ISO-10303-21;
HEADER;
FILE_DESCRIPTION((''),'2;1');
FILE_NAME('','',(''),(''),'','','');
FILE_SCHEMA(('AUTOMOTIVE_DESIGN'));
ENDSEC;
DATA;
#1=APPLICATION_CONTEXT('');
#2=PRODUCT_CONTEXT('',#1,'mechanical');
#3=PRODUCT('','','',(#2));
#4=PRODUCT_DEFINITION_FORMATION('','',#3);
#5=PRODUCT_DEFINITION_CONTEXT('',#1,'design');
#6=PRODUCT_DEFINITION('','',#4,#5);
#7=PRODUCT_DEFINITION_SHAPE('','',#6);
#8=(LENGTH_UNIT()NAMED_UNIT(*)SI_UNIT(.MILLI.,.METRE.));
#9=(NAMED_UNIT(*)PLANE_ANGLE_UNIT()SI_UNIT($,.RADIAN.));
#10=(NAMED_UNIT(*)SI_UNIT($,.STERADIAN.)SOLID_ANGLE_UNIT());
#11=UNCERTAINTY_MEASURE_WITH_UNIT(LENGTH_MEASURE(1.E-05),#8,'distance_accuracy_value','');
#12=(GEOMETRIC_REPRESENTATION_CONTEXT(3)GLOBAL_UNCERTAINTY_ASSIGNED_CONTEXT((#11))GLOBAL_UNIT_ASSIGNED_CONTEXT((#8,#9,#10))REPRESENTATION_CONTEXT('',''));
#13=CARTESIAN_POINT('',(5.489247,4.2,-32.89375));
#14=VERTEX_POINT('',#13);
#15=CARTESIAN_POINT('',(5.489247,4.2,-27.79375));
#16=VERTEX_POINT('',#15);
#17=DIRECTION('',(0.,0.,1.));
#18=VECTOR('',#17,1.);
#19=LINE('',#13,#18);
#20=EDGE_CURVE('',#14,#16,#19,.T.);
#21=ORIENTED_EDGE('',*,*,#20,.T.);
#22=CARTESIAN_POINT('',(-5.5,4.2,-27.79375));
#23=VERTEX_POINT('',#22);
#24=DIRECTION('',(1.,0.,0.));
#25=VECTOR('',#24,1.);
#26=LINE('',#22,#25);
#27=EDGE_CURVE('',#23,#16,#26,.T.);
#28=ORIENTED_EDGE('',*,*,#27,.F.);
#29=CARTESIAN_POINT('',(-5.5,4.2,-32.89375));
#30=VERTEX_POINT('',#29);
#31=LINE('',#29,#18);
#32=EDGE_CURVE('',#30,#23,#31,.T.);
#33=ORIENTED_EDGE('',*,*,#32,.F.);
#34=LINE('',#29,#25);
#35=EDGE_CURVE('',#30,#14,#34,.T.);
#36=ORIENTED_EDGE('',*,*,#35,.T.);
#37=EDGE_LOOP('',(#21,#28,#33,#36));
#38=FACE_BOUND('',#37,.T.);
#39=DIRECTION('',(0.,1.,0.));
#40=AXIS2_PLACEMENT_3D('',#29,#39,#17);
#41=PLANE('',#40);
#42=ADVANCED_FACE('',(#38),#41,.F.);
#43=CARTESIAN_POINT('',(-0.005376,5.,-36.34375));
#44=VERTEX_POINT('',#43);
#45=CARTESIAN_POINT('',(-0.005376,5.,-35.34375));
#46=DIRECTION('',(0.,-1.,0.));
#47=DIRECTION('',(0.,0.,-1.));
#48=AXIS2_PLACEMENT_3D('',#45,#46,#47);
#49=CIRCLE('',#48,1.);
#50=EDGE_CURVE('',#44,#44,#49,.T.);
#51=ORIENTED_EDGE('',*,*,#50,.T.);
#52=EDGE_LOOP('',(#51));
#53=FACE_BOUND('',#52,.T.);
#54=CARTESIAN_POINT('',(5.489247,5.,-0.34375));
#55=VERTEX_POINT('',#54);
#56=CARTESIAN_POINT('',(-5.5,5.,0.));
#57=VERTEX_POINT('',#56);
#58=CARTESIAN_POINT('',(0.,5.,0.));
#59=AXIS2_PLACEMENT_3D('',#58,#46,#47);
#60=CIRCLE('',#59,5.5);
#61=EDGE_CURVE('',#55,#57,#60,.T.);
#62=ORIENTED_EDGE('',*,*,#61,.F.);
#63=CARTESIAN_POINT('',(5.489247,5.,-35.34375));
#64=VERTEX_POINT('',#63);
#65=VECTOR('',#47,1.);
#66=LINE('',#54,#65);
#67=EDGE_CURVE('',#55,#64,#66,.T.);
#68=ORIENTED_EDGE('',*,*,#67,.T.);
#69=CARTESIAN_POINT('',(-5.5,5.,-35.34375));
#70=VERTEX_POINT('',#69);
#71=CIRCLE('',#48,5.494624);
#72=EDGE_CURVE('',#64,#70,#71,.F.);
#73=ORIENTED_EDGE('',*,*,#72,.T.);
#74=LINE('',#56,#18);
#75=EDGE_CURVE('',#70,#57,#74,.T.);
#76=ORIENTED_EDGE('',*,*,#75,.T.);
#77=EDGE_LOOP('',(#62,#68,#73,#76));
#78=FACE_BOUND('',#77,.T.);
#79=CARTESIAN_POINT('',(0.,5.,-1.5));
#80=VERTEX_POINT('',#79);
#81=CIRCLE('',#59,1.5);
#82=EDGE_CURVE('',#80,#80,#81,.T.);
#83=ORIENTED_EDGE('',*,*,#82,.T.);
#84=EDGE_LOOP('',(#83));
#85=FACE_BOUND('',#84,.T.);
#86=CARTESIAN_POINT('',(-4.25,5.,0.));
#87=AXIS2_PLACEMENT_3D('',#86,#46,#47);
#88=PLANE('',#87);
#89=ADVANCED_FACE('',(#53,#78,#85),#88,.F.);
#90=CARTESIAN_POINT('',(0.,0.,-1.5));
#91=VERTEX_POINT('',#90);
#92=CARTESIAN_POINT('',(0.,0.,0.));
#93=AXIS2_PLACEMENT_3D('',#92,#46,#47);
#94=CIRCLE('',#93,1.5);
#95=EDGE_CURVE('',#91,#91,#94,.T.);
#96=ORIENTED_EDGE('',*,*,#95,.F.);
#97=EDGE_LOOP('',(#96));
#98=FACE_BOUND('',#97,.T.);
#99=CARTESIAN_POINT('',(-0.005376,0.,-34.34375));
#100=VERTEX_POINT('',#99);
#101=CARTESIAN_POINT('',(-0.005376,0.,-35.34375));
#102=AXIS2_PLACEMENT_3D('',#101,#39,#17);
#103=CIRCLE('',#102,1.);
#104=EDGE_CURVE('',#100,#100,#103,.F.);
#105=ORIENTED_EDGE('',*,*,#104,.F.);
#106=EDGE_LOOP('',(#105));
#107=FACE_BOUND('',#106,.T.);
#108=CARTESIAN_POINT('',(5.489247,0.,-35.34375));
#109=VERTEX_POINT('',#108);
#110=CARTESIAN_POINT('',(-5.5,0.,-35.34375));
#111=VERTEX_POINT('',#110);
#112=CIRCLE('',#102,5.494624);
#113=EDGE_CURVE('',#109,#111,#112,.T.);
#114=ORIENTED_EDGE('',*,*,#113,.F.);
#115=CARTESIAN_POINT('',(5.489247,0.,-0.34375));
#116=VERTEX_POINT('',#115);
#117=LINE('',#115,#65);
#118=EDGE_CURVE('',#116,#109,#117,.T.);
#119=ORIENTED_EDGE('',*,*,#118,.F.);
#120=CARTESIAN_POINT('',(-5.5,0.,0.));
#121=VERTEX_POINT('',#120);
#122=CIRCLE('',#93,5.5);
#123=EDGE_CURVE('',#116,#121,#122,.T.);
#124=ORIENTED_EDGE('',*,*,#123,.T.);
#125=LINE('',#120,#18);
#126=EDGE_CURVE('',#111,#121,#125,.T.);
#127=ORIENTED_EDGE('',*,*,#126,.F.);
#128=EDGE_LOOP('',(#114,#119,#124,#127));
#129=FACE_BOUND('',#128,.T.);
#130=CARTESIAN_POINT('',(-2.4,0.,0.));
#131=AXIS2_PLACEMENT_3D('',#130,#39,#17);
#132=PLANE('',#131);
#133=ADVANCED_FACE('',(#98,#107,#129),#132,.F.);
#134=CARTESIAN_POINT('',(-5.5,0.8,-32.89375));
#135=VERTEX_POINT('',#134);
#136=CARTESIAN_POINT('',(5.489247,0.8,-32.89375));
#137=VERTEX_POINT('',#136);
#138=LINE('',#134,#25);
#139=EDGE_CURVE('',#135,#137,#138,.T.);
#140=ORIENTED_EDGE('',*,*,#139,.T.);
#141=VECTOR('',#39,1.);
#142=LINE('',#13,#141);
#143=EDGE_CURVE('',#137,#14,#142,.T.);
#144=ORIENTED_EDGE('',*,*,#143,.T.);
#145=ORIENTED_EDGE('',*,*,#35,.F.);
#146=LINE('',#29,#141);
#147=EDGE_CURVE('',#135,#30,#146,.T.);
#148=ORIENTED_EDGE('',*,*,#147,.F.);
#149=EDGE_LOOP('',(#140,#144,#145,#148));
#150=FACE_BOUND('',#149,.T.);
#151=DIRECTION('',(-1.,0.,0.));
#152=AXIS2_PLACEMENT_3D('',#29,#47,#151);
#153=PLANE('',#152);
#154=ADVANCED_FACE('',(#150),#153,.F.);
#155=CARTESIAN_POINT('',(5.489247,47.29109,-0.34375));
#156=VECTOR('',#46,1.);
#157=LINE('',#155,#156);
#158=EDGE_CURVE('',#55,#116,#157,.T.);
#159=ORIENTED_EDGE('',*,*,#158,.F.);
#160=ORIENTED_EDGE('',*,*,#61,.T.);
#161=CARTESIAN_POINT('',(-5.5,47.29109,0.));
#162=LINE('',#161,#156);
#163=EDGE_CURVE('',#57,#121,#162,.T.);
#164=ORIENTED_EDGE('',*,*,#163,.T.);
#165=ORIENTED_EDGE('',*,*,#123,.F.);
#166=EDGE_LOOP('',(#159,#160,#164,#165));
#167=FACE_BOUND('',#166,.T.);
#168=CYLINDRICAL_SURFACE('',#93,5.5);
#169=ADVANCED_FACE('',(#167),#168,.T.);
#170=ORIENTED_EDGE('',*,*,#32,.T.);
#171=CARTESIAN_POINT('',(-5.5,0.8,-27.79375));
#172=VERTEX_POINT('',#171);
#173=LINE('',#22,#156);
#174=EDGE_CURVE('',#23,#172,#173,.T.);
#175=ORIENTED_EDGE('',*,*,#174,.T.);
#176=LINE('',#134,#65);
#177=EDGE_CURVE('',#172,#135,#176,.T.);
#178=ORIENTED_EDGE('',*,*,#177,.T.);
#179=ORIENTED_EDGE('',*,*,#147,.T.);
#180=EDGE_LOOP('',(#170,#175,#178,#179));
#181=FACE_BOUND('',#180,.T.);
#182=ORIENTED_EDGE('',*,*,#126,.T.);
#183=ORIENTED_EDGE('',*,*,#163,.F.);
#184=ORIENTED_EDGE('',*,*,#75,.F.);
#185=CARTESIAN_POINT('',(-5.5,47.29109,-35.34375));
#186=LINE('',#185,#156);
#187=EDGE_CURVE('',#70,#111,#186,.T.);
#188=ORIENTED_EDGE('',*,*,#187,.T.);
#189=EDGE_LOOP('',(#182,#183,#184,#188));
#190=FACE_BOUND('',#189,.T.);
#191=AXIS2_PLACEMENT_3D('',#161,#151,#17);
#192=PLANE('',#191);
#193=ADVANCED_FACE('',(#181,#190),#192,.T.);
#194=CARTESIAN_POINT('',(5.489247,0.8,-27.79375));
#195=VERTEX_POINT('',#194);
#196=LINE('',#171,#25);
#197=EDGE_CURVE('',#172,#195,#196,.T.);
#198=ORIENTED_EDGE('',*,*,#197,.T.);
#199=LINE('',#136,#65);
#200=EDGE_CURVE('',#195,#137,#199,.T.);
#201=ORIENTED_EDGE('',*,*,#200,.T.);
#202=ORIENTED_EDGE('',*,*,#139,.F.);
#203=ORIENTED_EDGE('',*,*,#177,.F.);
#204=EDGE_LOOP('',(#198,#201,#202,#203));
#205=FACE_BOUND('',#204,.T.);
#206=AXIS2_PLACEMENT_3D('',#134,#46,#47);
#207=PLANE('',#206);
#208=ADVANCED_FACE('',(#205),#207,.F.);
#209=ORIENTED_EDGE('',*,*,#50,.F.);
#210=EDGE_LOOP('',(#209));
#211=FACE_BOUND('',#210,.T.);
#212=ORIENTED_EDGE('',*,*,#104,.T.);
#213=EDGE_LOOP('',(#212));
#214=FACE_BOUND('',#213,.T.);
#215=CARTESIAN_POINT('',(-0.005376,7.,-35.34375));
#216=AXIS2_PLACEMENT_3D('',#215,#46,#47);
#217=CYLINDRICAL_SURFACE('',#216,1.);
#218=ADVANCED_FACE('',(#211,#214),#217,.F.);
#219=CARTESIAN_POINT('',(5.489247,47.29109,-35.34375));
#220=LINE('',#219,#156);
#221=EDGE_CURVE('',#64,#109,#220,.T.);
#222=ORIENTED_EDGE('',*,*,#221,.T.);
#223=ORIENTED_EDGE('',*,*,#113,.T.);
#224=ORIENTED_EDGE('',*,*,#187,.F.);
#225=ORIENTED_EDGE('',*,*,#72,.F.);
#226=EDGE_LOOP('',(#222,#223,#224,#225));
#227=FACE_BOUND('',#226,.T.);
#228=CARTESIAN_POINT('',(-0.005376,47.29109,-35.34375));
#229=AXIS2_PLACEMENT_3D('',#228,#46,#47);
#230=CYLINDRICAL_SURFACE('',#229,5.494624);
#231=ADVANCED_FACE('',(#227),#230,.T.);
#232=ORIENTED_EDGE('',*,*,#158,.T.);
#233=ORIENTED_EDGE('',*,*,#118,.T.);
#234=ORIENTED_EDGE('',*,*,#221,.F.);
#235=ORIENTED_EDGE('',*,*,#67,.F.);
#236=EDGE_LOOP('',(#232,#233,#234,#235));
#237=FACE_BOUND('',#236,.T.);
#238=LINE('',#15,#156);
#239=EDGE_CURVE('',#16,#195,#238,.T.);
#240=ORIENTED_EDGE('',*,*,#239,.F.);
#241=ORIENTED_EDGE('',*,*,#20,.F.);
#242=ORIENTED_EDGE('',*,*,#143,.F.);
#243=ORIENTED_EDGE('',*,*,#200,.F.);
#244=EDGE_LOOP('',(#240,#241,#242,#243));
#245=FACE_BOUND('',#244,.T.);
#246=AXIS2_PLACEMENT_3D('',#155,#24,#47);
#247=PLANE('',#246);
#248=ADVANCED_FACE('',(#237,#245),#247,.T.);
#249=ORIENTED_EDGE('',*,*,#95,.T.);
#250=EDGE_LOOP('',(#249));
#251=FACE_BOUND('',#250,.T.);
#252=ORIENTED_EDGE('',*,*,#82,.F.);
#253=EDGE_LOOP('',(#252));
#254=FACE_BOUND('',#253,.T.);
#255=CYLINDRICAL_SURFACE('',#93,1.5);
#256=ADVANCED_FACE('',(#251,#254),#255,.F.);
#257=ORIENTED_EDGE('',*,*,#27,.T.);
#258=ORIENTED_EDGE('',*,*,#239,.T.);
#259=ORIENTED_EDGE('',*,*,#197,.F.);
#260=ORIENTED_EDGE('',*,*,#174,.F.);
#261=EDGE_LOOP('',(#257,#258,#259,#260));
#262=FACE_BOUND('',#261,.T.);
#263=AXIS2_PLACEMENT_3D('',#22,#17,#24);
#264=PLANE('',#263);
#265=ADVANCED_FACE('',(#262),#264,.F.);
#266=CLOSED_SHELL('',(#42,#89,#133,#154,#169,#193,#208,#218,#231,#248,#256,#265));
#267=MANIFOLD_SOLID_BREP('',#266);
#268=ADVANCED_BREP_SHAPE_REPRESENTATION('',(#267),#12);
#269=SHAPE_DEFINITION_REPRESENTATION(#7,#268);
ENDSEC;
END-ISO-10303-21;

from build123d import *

# Parameters (mm, degrees)
EXTRUDE_START       = -3
EXTRUDE_1_DEPTH     = 3
SKETCH_4_R          = 1
CUT_EXTRUDE_1_DEPTH = 5
EXTRUDE_3_DEPTH     = 2
CUT_EXTRUDE_START   = 10
SKETCH_4_2_R        = 1
CUT_EXTRUDE_2_DEPTH = 10
SKETCH_6_W          = 5.1
SKETCH_6_H          = 3.4
CUT_EXTRUDE_3_DEPTH = 43.585635121


with BuildPart() as part:
    # 草图1 → 旋转1 (revolve)
    with BuildSketch(Plane.XY, mode=Mode.PRIVATE) as revolve_1_sk:
        Polygon((-2.4, 0), (-5.5, 0), (-5.5, 5), (-4.25, 5), (-1.5, 5), (-1.5, 3.8), (-1.5, 2.66), (-1.5, 0), align=None)
    revolve(revolve_1_sk.sketch.rotate(Axis((0, 0, 0), (0, 1, 0)), 270), axis=Axis((0, 0, 0), (0, 1, 0)))

    # 草图2 → 凸台-拉伸1 (add)
    with BuildSketch(Plane(origin=(0, 2, 0), x_dir=(-1, 0, 0), z_dir=(0, -1, 0)).offset(EXTRUDE_START)):
        with BuildLine():
            Line((-5.489247302, 0.34375), (-5.489247302, 35.34375))
            ThreePointArc((-5.489247302, 35.34375), (0.005376349, 40.838373651), (5.5, 35.34375))
            Line((5.5, 35.34375), (5.5, 0))
            ThreePointArc((5.5, 0), (0.171959067, 5.497311168), (-5.489247302, 0.34375))
        make_face()
    extrude(amount=EXTRUDE_1_DEPTH)

    # 草图4 → 切除-拉伸1 (cut, symmetric)
    with BuildSketch(Plane.XZ.offset(-2)):
        with Locations(Location((-0.005376349, -35.34375, 0), (0, 0, 270))):
            Circle(SKETCH_4_R)
    extrude(amount=CUT_EXTRUDE_1_DEPTH, both=True, mode=Mode.SUBTRACT)

    # 草图2<2> → 凸台-拉伸3 (add)
    with BuildSketch(Plane(origin=(0, 2, 0), x_dir=(-1, 0, 0), z_dir=(0, -1, 0))):
        with BuildLine():
            Line((-5.489247302, 0.34375), (-5.489247302, 35.34375))
            ThreePointArc((-5.489247302, 35.34375), (0.005376349, 40.838373651), (5.5, 35.34375))
            Line((5.5, 35.34375), (5.5, 0))
            ThreePointArc((5.5, 0), (0.171959067, 5.497311168), (-5.489247302, 0.34375))
        make_face()
    extrude(amount=EXTRUDE_3_DEPTH)

    # 草图4<2> → 切除-拉伸2 (cut)
    with BuildSketch(Plane.XZ.offset(-2).offset(CUT_EXTRUDE_START)):
        with Locations(Location((-0.005376349, -35.34375, 0), (0, 0, 270))):
            Circle(SKETCH_4_2_R)
    extrude(amount=-CUT_EXTRUDE_2_DEPTH, mode=Mode.SUBTRACT)

    # 草图6 → 切除-拉伸3 (cut, through all)
    with BuildSketch(Plane(origin=(5.489247302, 0, 0), x_dir=(0, 0, -1), z_dir=(1, 0, 0))):
        with Locations((30.34375, 2.5)):
            Rectangle(SKETCH_6_W, SKETCH_6_H)
    extrude(amount=-CUT_EXTRUDE_3_DEPTH, mode=Mode.SUBTRACT)


solid = part.part
